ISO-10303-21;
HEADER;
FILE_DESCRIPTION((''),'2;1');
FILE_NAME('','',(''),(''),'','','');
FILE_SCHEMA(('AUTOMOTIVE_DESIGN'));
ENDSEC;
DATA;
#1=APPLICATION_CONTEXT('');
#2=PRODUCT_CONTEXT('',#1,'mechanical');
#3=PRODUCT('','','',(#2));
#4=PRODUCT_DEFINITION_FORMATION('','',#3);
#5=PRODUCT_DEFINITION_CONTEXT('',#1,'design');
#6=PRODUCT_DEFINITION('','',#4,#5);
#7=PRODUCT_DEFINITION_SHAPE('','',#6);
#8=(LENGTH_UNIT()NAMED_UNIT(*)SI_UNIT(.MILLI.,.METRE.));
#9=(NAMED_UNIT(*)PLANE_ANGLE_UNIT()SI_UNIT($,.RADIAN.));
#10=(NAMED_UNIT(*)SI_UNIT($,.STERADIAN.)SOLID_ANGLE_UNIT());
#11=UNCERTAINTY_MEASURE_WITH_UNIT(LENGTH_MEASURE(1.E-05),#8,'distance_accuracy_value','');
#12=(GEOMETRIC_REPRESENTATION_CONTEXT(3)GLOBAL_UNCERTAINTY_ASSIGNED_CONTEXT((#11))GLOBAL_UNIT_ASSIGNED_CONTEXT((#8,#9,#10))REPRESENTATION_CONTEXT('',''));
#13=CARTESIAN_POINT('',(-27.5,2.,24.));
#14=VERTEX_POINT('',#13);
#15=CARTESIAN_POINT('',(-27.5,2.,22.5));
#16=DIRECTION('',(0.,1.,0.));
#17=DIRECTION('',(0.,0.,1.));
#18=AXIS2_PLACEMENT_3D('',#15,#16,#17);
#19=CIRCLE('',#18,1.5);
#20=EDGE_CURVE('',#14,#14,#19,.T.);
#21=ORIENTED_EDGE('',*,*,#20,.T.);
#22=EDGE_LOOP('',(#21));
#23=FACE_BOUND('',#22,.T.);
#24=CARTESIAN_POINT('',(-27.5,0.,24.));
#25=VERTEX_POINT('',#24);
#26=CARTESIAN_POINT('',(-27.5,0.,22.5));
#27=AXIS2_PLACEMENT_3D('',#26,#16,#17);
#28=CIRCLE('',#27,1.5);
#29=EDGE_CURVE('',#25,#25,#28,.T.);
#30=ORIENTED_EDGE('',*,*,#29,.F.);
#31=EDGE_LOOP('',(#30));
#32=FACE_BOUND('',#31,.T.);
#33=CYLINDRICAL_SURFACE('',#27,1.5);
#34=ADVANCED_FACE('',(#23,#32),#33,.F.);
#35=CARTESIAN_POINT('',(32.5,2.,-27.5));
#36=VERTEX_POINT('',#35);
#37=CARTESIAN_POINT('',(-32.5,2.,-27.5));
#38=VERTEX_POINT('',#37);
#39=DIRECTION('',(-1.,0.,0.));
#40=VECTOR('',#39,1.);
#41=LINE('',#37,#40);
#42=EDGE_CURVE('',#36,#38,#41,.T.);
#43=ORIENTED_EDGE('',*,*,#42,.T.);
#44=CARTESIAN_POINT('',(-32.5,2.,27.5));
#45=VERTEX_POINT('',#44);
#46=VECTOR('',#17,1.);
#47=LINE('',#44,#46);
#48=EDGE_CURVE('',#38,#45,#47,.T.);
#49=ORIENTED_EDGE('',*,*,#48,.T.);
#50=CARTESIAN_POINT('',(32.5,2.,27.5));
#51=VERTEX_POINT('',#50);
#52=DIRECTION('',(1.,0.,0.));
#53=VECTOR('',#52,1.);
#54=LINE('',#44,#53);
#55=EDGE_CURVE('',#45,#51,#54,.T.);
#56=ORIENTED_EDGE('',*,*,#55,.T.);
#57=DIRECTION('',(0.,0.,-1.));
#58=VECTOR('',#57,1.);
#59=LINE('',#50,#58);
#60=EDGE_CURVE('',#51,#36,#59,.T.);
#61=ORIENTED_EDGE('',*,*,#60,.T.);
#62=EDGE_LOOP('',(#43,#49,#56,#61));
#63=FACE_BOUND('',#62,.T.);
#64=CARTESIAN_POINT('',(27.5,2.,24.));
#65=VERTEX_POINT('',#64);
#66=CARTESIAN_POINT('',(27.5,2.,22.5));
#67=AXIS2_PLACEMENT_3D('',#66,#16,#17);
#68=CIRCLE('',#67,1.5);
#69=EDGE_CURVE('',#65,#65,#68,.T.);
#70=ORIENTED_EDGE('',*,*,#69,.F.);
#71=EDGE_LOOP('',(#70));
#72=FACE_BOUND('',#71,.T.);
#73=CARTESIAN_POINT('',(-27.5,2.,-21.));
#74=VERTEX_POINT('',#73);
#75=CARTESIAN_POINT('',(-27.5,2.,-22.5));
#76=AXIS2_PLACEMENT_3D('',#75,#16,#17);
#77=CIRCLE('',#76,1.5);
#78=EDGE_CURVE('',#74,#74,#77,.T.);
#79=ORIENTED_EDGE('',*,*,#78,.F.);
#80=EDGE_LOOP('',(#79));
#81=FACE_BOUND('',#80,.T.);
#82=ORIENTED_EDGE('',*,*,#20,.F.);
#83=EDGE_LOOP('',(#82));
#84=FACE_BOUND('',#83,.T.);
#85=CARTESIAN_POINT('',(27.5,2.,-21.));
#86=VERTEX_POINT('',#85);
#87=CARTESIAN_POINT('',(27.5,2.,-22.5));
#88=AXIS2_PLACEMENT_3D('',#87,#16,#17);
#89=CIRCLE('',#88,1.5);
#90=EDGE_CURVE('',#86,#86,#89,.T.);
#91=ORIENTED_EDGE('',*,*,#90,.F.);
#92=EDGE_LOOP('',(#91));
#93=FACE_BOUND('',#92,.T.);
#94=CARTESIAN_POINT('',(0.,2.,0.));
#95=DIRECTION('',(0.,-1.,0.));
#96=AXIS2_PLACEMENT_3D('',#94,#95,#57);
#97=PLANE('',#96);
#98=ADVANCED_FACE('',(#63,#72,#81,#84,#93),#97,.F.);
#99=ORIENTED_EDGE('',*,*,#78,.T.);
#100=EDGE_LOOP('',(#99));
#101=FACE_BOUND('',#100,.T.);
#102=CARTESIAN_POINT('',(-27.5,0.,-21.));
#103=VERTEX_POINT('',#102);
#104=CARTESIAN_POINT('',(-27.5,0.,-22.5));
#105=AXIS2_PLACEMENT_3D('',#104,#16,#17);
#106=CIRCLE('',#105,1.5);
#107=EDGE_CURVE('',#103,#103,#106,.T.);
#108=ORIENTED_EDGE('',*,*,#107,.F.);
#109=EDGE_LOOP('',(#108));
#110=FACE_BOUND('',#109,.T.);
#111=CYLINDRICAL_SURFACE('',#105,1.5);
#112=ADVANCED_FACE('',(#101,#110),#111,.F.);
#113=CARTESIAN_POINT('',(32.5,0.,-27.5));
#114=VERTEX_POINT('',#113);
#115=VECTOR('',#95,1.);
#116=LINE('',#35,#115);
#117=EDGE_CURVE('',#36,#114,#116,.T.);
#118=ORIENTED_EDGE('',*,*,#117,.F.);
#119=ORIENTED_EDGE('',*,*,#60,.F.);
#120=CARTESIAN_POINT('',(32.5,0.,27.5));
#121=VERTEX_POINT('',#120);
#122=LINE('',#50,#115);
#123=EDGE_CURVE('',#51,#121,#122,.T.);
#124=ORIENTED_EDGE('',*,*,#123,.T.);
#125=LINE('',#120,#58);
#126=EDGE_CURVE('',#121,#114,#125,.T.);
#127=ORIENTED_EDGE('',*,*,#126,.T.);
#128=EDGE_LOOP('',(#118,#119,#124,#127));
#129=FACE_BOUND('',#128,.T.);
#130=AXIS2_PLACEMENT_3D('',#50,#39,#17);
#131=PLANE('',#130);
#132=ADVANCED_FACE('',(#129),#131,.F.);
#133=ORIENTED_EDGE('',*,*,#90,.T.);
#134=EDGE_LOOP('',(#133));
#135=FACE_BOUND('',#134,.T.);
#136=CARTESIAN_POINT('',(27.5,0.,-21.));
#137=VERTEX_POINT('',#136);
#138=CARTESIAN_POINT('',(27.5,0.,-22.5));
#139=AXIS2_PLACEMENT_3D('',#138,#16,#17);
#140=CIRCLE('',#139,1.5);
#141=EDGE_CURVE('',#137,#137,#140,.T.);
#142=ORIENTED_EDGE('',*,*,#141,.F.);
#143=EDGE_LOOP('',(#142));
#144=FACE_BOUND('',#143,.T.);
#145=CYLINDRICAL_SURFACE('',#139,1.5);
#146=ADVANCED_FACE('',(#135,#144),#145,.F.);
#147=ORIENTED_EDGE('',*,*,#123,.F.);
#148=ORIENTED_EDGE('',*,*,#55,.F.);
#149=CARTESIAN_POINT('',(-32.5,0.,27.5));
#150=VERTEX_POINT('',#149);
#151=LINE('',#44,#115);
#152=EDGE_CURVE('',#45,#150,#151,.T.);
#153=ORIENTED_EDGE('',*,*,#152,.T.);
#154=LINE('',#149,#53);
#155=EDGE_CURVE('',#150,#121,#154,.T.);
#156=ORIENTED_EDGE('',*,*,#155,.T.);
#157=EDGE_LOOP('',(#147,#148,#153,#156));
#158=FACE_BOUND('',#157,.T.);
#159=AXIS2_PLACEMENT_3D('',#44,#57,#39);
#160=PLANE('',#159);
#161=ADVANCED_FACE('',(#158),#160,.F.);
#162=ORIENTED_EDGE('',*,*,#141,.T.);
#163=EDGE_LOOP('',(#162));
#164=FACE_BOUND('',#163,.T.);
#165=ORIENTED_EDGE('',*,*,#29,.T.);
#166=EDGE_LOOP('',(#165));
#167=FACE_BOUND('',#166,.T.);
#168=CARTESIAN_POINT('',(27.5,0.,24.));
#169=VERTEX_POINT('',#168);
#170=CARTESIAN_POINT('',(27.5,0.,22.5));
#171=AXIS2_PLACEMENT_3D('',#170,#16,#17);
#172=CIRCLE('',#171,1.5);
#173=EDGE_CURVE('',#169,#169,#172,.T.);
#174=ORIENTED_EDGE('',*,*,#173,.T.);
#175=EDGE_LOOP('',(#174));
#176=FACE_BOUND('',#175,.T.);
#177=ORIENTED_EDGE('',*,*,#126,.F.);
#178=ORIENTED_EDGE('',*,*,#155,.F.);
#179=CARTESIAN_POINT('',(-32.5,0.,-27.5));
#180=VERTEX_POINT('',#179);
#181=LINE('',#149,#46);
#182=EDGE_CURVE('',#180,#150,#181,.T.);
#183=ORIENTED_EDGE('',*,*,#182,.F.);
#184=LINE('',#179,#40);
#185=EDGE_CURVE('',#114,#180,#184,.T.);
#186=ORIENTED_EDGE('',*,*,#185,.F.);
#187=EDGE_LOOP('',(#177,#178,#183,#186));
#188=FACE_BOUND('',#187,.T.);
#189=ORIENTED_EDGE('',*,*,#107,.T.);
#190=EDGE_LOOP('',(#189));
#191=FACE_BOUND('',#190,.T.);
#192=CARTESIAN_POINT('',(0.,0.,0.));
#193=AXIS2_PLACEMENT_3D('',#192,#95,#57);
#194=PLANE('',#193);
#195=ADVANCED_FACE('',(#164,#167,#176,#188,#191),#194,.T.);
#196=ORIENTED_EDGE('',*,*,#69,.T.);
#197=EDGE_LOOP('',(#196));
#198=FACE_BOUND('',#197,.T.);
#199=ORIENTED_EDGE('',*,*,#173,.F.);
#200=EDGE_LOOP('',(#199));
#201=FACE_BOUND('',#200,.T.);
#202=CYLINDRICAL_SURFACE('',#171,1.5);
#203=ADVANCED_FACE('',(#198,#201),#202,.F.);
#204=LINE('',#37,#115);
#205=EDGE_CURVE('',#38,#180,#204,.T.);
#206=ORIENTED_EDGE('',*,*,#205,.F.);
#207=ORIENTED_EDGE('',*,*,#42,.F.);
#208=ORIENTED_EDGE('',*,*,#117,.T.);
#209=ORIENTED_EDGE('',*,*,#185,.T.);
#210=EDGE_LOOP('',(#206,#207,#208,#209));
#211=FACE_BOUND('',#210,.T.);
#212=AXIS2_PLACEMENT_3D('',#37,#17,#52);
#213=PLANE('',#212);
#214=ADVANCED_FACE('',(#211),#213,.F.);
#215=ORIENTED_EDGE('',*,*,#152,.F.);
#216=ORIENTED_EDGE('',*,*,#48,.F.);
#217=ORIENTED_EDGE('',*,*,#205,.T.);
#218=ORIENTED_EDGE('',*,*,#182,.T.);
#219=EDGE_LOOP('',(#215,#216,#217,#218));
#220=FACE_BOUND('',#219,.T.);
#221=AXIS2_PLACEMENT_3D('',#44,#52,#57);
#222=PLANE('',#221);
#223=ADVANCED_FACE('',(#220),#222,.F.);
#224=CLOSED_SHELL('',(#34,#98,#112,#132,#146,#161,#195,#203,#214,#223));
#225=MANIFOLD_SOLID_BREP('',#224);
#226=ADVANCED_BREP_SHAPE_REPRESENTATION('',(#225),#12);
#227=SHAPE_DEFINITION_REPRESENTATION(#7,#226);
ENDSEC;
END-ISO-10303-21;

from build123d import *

# Parameters (mm, degrees)
CROQUIS2_W              = 65
CROQUIS2_H              = 55
SALIENTE_EXTRUIR1_DEPTH = 2
CROQUIS3_R              = 1.5
CORTAR_EXTRUIR1_DEPTH   = 3


with BuildPart() as part:
    # Croquis2 → Saliente-Extruir1 (new body)
    with BuildSketch(Plane(origin=(0, 0, 0), x_dir=(1, 0, 0), z_dir=(0, 1, 0))):
        Rectangle(CROQUIS2_W, CROQUIS2_H)
    extrude(amount=SALIENTE_EXTRUIR1_DEPTH)

    # Croquis3 → Cortar-Extruir1 (cut, through all)
    with BuildSketch(Plane(origin=(0, 2, 0), x_dir=(1, 0, 0), z_dir=(0, 1, 0))):
        with Locations((-27.5, 22.5)):
            Circle(CROQUIS3_R)
        with Locations((27.5, 22.5)):
            Circle(CROQUIS3_R)
        with Locations((27.5, -22.5)):
            Circle(CROQUIS3_R)
        with Locations((-27.5, -22.5)):
            Circle(CROQUIS3_R)
    extrude(amount=-CORTAR_EXTRUIR1_DEPTH, mode=Mode.SUBTRACT)


solid = part.part
